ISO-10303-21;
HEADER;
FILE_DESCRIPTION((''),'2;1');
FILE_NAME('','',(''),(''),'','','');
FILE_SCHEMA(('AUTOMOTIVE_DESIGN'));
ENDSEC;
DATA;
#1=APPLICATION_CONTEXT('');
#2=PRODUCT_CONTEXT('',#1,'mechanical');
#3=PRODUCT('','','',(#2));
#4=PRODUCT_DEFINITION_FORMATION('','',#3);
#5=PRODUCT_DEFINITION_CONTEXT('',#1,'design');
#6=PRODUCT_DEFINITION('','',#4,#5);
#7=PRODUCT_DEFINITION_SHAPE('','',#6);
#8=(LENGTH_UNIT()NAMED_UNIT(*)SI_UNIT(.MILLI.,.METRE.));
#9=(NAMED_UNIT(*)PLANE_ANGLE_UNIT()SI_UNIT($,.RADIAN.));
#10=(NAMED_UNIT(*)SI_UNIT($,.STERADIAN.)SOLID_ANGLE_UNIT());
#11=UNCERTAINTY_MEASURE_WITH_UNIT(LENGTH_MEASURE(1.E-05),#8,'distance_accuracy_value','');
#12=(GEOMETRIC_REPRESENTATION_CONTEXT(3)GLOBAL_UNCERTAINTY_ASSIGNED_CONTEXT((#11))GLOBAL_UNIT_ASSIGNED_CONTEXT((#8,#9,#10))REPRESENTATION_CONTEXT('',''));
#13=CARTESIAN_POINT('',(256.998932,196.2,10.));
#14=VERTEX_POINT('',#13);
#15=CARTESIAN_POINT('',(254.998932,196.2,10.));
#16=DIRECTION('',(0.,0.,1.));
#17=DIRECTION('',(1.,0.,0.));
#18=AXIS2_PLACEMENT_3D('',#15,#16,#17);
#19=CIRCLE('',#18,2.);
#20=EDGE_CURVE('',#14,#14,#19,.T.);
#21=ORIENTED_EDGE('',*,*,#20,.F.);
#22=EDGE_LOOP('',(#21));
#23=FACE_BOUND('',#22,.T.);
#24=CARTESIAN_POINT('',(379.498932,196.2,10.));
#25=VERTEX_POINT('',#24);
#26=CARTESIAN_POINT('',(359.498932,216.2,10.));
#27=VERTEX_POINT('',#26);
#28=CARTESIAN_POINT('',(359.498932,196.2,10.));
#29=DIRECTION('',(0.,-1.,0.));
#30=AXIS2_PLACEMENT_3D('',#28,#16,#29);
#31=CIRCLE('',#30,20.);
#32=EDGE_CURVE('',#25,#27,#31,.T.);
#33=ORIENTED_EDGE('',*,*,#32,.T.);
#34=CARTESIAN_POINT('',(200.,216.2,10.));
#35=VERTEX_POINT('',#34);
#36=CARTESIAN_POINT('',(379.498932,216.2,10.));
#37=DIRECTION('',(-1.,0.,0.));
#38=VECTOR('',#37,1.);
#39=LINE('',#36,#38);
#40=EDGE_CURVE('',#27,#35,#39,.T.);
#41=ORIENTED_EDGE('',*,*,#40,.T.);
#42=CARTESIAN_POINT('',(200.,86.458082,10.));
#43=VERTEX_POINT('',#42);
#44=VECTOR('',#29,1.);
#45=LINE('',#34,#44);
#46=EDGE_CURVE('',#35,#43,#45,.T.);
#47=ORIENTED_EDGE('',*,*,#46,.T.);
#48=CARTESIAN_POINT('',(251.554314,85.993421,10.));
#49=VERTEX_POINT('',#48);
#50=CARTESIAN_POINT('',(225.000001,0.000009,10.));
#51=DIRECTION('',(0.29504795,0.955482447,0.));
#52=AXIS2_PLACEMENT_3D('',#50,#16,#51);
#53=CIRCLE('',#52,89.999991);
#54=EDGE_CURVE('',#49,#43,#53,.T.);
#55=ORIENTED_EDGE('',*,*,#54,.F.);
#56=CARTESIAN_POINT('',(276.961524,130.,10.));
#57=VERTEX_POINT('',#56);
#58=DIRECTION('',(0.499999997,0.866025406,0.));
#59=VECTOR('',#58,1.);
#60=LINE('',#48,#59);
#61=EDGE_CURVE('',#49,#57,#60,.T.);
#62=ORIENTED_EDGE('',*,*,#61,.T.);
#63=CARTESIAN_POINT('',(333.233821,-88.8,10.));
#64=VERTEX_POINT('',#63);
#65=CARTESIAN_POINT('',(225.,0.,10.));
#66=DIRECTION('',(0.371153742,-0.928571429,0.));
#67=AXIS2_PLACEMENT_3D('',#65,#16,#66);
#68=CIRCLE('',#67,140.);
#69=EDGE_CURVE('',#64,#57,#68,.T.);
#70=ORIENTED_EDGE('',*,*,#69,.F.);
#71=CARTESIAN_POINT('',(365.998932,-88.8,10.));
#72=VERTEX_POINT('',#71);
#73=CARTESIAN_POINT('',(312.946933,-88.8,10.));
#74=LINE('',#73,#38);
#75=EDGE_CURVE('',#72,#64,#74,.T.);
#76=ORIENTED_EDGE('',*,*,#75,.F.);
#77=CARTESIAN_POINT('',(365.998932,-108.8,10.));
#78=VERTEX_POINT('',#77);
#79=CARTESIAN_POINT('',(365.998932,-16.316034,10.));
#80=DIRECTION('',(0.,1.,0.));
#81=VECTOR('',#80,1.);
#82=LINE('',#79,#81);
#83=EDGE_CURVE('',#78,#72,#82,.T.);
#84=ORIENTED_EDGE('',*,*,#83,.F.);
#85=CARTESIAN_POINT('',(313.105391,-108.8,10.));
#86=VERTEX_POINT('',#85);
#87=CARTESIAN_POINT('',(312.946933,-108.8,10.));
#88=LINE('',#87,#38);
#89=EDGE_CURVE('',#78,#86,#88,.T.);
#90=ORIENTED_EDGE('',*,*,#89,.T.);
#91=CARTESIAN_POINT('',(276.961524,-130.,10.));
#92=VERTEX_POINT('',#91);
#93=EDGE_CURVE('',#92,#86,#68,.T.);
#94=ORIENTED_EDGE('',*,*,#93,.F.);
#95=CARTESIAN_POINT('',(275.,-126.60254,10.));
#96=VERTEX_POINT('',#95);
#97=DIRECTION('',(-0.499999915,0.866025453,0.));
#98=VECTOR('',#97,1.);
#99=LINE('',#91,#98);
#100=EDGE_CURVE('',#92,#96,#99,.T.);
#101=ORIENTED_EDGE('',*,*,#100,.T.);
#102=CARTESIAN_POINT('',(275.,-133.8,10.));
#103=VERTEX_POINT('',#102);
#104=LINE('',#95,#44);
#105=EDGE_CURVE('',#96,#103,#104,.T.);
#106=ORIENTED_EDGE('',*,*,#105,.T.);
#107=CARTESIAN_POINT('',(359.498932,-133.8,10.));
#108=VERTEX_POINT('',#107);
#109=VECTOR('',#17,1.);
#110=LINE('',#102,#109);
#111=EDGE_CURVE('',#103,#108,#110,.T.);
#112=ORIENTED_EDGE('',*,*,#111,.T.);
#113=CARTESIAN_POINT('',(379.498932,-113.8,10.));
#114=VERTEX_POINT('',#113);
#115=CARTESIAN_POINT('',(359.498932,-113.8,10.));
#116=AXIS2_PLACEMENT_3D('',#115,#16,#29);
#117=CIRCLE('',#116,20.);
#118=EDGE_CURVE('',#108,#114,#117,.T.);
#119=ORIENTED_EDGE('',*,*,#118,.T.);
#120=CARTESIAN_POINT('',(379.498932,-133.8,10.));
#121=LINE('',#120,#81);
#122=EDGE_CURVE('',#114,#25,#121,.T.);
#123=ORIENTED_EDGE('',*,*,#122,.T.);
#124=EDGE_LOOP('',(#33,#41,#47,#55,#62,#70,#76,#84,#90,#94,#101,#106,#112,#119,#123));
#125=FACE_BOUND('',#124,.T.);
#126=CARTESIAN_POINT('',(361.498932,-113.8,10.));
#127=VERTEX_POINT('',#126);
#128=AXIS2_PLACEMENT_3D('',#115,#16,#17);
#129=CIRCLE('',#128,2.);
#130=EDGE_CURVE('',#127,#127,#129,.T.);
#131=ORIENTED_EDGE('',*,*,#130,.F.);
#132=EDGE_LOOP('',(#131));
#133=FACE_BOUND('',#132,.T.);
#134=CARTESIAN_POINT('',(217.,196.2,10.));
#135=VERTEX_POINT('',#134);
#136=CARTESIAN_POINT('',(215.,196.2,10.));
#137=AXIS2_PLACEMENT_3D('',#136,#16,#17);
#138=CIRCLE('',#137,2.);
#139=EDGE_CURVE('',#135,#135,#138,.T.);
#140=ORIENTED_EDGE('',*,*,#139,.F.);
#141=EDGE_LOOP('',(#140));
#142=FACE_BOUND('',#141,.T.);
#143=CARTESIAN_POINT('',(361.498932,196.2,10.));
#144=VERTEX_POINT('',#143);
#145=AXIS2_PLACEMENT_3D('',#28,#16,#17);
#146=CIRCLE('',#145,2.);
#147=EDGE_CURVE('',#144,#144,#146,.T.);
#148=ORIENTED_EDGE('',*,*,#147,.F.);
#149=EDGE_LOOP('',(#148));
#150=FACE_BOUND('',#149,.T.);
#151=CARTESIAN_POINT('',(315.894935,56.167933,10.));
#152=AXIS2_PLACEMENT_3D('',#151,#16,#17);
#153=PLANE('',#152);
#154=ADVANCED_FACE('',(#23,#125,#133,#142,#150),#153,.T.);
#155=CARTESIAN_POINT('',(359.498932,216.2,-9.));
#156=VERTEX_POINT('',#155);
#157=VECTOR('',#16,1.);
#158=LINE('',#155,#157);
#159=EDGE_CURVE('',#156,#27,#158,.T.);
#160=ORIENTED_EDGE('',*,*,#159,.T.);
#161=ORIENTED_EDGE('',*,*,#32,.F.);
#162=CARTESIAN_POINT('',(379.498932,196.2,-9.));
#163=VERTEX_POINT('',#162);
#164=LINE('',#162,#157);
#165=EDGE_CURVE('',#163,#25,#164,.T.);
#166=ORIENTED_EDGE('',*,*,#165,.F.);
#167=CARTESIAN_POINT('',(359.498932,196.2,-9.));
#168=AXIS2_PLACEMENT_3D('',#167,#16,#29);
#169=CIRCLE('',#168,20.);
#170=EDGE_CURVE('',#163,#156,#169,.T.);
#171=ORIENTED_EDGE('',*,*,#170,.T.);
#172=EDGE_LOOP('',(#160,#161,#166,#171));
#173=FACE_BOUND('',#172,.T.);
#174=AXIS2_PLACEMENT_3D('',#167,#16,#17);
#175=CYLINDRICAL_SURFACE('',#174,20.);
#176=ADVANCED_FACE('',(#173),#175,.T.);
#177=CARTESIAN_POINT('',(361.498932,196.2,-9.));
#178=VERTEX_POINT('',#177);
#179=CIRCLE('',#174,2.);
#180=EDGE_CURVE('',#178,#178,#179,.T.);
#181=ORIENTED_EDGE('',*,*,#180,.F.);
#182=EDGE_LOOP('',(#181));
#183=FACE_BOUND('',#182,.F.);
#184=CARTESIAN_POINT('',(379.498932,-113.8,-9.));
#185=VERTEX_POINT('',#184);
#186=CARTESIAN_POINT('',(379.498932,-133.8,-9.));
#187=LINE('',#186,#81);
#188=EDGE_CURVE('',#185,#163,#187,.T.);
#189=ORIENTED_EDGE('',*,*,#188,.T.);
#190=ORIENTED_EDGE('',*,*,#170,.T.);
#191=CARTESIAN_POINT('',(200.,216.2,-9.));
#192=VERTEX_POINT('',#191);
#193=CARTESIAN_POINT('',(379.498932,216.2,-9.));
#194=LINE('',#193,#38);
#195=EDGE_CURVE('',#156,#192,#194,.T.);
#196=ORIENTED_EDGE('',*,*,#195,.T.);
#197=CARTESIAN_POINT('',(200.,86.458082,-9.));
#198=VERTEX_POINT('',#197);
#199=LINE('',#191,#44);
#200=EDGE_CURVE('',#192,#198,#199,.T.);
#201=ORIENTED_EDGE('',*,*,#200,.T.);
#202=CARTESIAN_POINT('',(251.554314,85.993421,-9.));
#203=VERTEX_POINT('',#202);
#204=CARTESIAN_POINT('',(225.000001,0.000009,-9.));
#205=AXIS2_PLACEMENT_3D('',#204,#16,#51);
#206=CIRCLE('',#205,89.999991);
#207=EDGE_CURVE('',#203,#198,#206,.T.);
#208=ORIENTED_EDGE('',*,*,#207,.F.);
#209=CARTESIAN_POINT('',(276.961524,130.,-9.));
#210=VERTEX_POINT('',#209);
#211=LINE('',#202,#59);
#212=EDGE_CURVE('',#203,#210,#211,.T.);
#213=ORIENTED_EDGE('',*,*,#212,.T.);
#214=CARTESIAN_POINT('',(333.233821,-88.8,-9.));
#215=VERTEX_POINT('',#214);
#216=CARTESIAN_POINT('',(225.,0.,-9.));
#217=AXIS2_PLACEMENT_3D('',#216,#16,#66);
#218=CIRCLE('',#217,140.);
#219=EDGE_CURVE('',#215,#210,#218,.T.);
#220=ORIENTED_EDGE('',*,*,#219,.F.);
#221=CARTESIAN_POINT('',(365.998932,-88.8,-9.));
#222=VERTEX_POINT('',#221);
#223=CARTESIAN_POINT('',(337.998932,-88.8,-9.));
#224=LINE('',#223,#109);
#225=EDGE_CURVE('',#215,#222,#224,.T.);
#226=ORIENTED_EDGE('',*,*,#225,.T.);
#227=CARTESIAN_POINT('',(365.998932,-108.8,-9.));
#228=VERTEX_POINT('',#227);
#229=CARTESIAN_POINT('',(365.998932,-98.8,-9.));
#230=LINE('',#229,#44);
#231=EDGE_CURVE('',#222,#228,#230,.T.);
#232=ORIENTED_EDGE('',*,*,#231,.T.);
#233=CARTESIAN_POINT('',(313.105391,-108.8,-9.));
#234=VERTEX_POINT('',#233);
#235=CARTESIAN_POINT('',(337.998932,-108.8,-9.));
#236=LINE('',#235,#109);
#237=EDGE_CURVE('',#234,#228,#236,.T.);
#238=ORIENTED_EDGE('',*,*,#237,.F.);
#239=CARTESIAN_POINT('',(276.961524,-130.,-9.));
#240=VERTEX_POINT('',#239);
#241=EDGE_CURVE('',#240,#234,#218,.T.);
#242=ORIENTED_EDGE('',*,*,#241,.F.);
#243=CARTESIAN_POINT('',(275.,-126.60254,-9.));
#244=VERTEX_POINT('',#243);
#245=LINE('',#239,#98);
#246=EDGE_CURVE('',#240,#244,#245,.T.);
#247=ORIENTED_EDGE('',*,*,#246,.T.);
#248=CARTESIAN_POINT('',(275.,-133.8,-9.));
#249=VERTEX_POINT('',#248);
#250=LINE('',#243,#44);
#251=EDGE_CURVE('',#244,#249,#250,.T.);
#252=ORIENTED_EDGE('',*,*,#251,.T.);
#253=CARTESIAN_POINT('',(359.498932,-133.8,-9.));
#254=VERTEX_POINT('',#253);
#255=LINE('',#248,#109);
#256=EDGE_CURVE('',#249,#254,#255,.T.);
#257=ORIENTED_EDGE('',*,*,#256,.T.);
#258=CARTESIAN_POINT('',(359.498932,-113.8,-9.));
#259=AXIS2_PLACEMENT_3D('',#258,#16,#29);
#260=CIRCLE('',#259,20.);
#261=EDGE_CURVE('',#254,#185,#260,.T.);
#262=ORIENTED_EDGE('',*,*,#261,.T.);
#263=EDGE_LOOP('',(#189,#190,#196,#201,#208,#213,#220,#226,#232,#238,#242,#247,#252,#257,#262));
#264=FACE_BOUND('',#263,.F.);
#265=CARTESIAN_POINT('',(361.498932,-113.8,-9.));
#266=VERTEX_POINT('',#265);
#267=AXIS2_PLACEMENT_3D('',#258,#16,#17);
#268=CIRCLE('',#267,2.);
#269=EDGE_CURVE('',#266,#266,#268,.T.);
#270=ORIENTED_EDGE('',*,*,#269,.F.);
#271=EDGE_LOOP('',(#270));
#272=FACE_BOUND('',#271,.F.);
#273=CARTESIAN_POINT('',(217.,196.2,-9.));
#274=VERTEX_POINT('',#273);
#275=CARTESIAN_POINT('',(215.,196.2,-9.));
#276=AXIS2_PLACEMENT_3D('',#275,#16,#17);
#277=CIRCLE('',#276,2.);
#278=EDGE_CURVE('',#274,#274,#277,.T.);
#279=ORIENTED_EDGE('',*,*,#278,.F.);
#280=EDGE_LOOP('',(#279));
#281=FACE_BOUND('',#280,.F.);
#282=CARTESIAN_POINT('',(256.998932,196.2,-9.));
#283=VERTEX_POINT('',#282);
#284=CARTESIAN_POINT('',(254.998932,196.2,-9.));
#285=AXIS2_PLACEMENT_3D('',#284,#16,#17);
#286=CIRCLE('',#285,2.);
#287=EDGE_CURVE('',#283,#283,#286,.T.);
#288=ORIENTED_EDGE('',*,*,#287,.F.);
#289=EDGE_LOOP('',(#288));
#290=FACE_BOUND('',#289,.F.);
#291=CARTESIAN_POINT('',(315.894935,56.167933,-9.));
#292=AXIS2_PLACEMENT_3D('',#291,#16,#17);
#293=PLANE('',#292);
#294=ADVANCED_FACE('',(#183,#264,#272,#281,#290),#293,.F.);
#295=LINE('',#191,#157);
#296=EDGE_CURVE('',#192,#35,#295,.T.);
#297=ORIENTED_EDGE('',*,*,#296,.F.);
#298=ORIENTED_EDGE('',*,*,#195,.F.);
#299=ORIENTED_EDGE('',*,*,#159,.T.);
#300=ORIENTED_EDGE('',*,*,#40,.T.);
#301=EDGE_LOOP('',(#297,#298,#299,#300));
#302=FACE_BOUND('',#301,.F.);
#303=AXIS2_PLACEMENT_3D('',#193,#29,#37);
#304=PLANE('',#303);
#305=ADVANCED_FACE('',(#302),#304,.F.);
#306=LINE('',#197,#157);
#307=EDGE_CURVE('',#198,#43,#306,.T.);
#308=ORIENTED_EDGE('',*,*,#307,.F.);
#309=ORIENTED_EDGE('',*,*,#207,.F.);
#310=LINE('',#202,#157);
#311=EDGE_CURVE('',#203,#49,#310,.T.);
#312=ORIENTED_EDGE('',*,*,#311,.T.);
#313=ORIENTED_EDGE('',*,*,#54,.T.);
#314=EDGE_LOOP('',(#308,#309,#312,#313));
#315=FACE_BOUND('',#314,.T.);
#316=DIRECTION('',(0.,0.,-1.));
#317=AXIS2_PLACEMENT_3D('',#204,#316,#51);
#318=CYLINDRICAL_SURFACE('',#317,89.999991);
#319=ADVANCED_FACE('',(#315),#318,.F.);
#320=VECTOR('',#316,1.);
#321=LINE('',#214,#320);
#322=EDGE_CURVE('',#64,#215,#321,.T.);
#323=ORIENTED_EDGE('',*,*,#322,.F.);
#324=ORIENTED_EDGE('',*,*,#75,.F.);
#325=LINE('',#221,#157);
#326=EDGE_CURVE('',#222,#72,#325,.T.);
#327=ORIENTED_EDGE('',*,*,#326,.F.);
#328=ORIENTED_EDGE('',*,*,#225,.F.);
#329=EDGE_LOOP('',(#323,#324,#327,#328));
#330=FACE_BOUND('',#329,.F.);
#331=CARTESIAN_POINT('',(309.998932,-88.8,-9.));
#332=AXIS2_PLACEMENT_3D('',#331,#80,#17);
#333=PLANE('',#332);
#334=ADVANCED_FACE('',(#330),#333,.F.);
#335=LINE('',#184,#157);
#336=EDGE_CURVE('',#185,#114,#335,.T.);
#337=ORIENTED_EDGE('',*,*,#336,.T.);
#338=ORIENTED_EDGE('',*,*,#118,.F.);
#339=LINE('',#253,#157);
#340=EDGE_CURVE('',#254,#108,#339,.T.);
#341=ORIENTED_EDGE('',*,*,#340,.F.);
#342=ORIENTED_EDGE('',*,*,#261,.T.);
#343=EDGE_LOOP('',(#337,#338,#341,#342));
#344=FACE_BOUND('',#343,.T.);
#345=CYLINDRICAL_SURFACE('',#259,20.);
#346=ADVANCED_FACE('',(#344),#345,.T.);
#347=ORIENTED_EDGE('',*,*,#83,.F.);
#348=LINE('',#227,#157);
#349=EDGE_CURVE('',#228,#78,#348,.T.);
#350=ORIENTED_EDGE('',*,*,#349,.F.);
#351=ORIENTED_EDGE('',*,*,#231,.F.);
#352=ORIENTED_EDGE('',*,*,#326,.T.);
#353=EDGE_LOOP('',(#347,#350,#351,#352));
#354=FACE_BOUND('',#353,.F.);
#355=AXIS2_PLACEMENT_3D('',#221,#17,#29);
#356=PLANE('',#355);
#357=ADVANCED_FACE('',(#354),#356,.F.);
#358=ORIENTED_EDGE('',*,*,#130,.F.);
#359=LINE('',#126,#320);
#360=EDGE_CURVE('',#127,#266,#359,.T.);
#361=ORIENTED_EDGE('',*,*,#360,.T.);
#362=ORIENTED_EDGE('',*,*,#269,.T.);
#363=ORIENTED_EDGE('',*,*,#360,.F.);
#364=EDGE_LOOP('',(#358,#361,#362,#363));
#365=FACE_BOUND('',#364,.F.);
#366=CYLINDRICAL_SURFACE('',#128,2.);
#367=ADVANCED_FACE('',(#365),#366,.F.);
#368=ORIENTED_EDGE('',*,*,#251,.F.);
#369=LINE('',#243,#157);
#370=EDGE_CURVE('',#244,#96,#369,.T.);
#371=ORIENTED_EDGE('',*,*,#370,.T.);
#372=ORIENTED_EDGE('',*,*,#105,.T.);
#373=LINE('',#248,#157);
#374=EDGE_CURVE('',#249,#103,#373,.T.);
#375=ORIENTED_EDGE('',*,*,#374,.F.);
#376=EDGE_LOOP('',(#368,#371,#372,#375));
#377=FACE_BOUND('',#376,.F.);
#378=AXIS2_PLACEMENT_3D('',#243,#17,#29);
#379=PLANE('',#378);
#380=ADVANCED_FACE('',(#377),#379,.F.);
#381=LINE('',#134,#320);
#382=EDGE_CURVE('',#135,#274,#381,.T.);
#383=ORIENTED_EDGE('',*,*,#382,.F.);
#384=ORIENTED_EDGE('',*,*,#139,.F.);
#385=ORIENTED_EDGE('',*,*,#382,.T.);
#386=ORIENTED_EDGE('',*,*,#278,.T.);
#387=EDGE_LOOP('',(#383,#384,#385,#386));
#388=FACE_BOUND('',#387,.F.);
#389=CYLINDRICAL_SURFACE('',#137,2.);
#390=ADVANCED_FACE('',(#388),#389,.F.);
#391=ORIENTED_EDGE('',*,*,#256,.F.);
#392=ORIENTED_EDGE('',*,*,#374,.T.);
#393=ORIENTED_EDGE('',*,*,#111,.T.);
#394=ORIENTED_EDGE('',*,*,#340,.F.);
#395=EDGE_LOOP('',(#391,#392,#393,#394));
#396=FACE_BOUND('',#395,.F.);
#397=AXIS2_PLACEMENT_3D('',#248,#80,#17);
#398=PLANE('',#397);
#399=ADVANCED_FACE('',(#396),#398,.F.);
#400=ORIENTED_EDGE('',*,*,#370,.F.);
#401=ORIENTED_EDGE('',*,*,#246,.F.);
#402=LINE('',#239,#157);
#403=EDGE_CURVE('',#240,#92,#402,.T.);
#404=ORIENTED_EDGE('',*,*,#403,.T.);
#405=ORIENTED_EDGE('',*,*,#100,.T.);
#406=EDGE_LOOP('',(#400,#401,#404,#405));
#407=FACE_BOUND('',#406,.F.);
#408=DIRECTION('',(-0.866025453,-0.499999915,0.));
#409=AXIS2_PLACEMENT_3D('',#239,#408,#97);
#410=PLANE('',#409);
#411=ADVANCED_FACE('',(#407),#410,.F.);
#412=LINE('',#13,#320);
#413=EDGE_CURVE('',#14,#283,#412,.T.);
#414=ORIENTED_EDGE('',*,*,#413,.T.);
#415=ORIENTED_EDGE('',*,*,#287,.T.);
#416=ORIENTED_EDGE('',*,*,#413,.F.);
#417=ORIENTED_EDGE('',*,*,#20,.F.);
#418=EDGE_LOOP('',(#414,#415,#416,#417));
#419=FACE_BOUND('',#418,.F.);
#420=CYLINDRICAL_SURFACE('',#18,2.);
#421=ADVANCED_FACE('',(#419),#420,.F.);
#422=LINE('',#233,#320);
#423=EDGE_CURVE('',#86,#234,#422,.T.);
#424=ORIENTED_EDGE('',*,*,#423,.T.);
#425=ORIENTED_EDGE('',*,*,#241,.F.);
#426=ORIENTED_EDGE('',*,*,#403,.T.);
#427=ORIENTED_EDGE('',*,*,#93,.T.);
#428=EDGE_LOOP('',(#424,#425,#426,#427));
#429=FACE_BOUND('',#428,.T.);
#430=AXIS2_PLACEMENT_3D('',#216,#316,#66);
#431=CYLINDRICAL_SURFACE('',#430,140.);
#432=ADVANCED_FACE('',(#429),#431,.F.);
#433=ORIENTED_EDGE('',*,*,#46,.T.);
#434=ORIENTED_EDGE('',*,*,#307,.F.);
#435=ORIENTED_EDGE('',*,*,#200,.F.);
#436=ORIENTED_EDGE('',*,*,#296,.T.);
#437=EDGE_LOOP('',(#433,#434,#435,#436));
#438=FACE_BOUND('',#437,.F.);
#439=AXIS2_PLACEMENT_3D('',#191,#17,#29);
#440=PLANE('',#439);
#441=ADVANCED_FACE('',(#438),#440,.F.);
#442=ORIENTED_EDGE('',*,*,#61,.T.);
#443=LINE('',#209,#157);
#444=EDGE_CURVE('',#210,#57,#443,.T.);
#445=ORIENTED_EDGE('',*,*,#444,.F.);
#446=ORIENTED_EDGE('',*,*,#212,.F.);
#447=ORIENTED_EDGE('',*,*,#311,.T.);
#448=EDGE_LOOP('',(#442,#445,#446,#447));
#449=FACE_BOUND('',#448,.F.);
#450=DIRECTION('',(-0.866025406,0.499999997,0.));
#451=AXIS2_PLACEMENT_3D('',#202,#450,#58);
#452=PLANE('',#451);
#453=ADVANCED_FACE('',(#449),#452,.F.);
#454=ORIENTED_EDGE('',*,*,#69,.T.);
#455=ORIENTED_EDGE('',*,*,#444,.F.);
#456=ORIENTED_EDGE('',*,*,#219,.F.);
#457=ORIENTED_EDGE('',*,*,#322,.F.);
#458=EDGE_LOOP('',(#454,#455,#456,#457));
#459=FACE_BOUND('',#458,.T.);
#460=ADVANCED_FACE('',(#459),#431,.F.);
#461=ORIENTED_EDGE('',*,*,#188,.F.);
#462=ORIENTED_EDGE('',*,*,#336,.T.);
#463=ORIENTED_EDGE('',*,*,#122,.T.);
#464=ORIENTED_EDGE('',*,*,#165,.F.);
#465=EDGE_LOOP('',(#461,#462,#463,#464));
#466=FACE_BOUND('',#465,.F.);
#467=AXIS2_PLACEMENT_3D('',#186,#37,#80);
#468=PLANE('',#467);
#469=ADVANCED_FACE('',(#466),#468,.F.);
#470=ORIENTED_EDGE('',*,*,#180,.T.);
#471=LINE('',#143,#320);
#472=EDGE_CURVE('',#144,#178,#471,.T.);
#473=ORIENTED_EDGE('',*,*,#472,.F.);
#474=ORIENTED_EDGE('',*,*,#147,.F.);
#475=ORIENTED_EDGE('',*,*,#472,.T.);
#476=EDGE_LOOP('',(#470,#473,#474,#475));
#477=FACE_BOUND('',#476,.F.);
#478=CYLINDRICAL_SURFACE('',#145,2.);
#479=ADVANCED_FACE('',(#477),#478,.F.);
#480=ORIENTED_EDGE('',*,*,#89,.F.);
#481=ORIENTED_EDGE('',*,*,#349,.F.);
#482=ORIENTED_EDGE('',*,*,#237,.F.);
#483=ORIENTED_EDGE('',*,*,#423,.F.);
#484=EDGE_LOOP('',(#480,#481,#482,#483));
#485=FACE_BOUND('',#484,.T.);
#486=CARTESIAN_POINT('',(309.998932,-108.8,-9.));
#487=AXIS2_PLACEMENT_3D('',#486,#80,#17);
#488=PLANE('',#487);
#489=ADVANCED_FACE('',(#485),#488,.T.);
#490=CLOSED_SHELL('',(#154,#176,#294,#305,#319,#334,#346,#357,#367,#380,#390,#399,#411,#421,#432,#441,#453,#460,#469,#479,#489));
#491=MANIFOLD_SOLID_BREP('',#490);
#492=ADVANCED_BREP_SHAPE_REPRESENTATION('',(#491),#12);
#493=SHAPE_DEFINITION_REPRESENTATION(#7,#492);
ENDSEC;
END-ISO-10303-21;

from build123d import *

# Parameters (mm, degrees)
PAD016_DEPTH    = 19
FILLET006_R     = 20
SKETCH023_R     = 2
POCKET014_DEPTH = 19.001
SKETCH026_R     = 2
POCKET016_DEPTH = 19.001
SKETCH047_W     = 56
SKETCH047_H     = 20
POCKET030_DEPTH = 19.001


with BuildPart() as part:
    # Sketch021 → Pad016 (new body)
    with BuildSketch(Plane.XY):
        with BuildLine():
            Line((200, 216.2), (200, 86.458082))
            ThreePointArc((251.554314, 85.993421), (225.811141, 89.996345), (200, 86.458082))
            Line((251.554314, 85.993421), (276.961524, 130))
            ThreePointArc((276.961524, -130), (365, 0), (276.961524, 130))
            Line((276.961524, -130), (275, -126.60254))
            Line((275, -126.60254), (275, -133.8))
            Line((275, -133.8), (379.498932, -133.8))
            Line((379.498932, -133.8), (379.498932, 216.2))
            Line((379.498932, 216.2), (200, 216.2))
        make_face()
    extrude(amount=PAD016_DEPTH)

    # Fillet006
    fillet006_edges = [part.edges().sort_by_distance(p)[0] for p in [
        (379.498932, 216.2, 9.5),
        (379.498932, -133.8, 9.5),
    ]]
    fillet(fillet006_edges, radius=FILLET006_R)

    # Sketch023 (on Face5 of Fillet006) → Pocket014 (cut, through all)
    with BuildSketch(Plane.XY.offset(19)):
        with Locations((215, 196.2)):
            Circle(SKETCH023_R)
    extrude(amount=-POCKET014_DEPTH, mode=Mode.SUBTRACT)

    # Sketch026 (on Face5 of Pocket014) → Pocket016 (cut, through all)
    with BuildSketch(Plane.XY.offset(19)):
        with Locations((254.998932, 196.2)):
            Circle(SKETCH026_R)
        with Locations((359.498932, 196.2)):
            Circle(SKETCH026_R)
        with Locations((359.498932, -113.8)):
            Circle(SKETCH026_R)
    extrude(amount=-POCKET016_DEPTH, mode=Mode.SUBTRACT)

    # Sketch047 (on Face2 of Pocket016) → Pocket030 (cut, through all)
    with BuildSketch(Plane(origin=(0, 0, 0), x_dir=(1, 0, 0), z_dir=(0, 0, -1))):
        with Locations((337.998932, 98.8)):
            Rectangle(SKETCH047_W, SKETCH047_H)
    extrude(amount=-POCKET030_DEPTH, mode=Mode.SUBTRACT)


with BuildPart() as part_1:
    # Body012 placement: moved
    add(part.part.moved(Location((0, 0, -9))))


solid = part_1.part
